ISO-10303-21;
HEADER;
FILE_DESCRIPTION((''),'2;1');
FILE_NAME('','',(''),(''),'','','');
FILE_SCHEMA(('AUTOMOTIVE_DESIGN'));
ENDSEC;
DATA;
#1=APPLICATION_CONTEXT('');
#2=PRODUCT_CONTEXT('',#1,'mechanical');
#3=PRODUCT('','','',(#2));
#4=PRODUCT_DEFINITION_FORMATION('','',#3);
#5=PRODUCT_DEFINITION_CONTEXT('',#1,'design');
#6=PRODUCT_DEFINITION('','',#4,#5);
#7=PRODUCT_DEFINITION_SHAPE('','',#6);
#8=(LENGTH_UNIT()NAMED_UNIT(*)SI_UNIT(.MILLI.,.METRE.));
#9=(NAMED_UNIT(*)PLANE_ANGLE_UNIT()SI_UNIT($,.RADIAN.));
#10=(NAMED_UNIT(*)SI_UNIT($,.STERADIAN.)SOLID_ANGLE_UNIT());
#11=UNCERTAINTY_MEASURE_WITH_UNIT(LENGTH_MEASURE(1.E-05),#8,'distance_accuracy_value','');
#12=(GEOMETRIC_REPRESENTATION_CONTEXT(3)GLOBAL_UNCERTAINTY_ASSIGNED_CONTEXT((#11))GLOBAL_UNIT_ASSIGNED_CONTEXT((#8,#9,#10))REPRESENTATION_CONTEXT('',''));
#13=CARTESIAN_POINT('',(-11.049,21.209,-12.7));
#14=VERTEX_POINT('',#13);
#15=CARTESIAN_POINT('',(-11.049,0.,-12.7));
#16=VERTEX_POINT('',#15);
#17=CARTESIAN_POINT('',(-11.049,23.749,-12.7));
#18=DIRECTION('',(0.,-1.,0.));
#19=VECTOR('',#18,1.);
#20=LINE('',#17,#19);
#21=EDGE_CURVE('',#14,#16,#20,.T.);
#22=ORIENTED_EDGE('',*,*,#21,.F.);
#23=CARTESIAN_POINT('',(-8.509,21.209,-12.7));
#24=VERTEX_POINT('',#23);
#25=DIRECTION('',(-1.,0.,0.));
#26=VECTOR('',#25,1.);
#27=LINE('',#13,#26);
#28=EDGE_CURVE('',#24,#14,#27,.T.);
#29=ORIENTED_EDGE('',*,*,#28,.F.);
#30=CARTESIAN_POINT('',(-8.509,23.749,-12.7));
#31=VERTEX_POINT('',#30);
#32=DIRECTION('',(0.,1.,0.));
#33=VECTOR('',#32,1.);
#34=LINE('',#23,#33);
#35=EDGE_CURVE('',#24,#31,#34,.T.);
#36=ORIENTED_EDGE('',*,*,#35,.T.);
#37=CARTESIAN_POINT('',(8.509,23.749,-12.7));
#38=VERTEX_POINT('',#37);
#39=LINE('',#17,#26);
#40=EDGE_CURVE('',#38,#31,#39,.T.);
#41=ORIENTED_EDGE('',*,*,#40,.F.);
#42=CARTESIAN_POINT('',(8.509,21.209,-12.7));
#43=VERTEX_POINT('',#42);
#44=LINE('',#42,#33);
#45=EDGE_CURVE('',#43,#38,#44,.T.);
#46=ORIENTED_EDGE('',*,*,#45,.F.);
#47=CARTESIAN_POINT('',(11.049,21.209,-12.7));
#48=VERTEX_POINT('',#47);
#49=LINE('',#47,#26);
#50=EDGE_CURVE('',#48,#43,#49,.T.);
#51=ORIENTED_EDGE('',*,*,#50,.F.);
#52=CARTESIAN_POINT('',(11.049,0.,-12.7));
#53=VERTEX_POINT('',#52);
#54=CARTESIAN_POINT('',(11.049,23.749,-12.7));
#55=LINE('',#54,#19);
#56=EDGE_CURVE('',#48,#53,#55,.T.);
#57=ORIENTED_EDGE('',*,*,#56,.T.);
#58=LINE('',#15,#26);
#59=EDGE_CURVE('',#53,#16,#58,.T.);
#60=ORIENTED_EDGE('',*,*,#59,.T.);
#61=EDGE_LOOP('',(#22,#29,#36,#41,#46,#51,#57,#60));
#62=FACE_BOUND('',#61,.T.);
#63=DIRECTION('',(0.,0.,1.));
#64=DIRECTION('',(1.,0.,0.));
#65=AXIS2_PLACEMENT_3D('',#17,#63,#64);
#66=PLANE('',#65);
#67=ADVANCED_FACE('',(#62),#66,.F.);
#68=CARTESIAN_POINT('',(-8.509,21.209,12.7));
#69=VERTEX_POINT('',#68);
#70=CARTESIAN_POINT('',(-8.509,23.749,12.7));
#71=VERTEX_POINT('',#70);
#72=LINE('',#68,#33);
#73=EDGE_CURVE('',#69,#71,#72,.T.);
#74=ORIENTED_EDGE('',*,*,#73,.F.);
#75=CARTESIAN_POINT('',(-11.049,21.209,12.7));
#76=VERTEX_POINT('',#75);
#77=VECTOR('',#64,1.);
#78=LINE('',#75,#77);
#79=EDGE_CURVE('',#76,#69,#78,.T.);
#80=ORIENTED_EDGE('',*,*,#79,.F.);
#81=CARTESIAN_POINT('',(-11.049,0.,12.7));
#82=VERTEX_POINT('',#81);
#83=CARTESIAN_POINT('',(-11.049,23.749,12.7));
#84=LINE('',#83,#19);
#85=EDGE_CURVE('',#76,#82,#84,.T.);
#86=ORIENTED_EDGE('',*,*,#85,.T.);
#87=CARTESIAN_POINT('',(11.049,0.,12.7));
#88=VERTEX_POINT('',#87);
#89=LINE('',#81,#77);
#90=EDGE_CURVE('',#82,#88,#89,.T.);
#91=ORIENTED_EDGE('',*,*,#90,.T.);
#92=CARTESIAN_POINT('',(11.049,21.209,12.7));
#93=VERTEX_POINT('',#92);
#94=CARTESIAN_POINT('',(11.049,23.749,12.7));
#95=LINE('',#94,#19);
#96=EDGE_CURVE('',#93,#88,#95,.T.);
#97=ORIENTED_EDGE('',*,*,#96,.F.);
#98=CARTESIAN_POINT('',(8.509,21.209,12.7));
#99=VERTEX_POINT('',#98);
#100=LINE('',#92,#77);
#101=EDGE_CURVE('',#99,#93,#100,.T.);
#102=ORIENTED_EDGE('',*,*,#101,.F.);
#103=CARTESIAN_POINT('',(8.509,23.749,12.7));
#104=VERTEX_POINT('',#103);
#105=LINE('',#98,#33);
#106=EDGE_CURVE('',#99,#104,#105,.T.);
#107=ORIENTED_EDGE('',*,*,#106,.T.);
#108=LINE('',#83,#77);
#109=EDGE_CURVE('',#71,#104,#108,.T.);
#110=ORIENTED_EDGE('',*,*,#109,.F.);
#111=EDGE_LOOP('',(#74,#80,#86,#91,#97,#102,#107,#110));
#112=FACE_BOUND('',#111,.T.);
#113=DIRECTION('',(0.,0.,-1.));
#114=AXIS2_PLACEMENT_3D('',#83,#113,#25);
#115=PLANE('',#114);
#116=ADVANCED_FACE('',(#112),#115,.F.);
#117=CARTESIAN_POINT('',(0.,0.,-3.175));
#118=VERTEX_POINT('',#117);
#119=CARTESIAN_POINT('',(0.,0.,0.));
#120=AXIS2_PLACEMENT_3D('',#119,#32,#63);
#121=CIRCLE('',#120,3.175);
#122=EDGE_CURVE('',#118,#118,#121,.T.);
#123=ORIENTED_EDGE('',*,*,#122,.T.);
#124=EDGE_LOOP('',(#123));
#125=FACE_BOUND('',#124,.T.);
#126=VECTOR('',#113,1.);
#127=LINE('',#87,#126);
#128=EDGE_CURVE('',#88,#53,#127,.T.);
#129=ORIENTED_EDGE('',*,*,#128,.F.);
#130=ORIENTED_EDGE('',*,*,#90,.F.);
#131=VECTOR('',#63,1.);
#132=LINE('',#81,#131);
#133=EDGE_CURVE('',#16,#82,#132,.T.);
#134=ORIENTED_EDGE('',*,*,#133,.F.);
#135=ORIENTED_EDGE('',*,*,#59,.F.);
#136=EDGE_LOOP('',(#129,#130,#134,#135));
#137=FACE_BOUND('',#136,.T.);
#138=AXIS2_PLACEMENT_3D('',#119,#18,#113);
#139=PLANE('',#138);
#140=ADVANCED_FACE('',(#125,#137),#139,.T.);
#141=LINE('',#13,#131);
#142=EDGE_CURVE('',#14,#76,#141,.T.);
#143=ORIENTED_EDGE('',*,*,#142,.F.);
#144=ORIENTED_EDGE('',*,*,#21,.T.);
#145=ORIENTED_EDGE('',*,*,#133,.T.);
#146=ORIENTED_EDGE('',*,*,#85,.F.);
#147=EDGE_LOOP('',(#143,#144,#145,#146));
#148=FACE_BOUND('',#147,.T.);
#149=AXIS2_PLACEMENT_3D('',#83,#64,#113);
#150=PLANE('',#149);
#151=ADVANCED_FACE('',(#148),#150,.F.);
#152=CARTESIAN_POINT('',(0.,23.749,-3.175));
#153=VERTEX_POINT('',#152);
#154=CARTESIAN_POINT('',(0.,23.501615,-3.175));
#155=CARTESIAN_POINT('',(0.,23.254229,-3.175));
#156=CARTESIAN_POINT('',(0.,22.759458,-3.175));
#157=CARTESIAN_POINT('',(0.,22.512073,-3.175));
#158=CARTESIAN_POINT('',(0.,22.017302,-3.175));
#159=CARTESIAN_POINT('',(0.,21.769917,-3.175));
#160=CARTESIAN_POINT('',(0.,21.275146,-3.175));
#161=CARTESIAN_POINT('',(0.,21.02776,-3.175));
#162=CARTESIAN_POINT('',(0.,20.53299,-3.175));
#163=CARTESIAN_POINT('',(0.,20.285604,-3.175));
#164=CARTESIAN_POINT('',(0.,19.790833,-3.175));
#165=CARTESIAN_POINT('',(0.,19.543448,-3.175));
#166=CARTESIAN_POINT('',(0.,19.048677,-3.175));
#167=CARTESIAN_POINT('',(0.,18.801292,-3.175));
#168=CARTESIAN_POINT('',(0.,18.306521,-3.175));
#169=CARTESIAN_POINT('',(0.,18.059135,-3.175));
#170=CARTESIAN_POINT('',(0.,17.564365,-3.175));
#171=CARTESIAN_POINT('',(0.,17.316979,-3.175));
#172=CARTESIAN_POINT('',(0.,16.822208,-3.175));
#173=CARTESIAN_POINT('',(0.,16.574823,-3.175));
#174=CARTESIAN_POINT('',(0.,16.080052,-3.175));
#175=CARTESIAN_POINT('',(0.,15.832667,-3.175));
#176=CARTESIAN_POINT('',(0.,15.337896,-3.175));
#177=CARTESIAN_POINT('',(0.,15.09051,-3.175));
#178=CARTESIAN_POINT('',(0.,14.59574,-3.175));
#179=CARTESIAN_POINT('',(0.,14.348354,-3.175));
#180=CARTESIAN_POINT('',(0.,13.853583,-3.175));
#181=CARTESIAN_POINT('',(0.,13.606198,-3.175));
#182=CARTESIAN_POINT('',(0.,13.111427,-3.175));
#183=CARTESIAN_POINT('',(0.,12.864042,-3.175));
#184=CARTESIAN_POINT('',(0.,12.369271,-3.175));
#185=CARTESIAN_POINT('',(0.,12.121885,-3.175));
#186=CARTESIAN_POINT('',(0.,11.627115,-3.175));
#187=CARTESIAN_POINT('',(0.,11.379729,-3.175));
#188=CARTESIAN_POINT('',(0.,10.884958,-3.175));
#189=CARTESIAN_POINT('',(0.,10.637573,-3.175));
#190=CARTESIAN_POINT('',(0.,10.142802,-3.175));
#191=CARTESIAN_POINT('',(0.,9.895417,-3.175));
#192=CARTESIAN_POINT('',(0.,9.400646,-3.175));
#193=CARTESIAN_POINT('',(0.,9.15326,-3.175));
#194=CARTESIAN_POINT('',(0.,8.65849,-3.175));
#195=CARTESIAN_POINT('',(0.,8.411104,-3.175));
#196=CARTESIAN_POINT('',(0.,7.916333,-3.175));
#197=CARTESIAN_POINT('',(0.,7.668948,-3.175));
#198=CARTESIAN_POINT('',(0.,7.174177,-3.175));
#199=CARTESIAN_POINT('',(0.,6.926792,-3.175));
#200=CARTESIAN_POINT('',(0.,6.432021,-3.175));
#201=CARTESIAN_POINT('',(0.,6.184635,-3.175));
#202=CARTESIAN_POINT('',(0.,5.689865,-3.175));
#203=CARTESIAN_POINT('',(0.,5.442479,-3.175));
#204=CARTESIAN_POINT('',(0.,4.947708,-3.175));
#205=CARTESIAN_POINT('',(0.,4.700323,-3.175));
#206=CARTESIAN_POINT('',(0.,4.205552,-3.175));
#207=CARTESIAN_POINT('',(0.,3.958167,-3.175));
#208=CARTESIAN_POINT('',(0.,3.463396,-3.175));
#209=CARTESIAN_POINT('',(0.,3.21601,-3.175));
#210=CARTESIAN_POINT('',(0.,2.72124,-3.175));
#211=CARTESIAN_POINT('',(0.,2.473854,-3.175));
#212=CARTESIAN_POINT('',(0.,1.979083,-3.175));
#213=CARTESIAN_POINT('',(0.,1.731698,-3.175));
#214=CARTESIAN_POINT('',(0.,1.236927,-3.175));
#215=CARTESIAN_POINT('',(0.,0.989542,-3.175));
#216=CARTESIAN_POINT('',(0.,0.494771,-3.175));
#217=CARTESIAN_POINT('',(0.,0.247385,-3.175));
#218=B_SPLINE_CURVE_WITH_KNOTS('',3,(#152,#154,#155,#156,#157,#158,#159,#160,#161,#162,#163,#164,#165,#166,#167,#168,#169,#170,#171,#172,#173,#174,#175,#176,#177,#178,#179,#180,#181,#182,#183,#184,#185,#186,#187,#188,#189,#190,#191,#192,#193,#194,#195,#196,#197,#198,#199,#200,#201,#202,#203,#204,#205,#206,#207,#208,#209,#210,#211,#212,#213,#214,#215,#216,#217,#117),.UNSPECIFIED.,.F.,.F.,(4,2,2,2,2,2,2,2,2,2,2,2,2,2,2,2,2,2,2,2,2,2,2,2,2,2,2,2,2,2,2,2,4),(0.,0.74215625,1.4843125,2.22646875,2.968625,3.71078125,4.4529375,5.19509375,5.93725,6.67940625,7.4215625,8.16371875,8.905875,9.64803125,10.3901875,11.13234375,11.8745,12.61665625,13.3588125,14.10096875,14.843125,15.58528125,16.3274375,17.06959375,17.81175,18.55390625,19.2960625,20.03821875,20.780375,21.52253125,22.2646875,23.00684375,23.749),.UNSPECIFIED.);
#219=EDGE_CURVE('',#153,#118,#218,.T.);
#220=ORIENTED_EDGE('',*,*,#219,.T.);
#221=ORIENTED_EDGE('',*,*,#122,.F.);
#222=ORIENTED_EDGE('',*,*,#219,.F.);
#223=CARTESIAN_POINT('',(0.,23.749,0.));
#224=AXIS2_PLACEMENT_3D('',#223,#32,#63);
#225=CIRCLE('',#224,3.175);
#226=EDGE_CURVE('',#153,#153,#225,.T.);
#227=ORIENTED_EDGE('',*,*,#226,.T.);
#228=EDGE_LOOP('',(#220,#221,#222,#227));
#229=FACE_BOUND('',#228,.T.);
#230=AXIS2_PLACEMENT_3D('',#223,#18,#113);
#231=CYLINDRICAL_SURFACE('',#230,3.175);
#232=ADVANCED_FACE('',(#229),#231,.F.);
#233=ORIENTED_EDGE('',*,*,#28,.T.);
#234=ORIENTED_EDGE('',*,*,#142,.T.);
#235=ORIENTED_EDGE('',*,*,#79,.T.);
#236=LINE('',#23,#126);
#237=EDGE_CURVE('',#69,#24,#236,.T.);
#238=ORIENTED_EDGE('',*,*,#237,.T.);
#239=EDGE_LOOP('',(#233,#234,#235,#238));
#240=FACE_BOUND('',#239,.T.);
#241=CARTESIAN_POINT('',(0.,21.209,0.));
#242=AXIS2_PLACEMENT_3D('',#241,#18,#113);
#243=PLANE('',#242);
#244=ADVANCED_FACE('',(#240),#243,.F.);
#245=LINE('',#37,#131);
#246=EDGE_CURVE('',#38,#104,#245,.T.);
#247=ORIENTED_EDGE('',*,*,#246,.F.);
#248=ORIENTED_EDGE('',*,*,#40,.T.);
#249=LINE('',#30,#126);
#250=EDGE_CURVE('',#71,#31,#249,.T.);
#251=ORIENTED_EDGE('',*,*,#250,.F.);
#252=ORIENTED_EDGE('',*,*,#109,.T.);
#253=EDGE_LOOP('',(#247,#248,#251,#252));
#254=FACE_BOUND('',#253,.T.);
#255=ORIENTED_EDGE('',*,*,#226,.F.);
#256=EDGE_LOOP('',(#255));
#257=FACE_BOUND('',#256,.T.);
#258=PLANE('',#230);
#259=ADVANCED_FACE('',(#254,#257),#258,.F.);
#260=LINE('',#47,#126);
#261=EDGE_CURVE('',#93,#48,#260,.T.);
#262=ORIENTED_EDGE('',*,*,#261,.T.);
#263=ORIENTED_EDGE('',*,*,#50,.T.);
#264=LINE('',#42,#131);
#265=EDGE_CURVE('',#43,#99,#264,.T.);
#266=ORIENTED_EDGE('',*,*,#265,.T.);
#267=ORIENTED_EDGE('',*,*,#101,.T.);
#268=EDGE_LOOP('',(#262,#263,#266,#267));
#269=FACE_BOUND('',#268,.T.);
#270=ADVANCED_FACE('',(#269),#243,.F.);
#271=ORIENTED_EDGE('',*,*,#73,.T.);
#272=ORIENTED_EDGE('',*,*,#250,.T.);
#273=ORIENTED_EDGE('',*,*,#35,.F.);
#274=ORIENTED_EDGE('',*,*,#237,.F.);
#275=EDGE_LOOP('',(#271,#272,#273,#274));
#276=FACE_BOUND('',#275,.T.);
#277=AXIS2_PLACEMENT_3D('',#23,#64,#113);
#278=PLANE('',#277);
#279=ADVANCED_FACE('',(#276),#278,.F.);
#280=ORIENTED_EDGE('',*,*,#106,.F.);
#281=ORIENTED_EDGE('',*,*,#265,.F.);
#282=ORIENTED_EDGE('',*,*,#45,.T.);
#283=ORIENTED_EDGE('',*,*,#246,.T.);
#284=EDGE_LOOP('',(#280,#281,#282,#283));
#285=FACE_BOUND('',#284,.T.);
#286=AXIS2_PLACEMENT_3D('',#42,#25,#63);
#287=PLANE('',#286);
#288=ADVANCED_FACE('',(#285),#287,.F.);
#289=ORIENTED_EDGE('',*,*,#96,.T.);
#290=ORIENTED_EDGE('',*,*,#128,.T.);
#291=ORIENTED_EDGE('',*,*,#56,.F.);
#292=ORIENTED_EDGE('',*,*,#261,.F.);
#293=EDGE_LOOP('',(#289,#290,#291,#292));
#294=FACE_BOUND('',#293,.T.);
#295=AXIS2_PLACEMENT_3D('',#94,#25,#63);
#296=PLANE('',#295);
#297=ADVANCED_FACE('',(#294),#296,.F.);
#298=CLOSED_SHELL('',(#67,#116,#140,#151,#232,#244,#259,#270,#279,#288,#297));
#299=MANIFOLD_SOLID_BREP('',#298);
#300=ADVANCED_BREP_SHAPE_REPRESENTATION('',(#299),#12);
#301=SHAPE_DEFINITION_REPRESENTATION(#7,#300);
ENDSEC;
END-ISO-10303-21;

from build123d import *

# Parameters (mm, degrees)
SKETCH1_W           = 22.098
SKETCH1_H           = 25.4
SKETCH1_R           = 3.175
BOSS_EXTRUDE1_DEPTH = 23.749
SKETCH3_W           = 2.54
SKETCH3_H           = 25.4
CUT_EXTRUDE2_DEPTH  = 2.54


with BuildPart() as part:
    # Sketch1 → Boss-Extrude1 (new body)
    with BuildSketch(Plane(origin=(0, 0, 0), x_dir=(1, 0, 0), z_dir=(0, 1, 0))):
        Rectangle(SKETCH1_W, SKETCH1_H)
        with Locations(Location((0, 0, 0), (0, 0, 90))):
            Circle(SKETCH1_R, mode=Mode.SUBTRACT)
    extrude(amount=BOSS_EXTRUDE1_DEPTH)

    # Sketch3 → Cut-Extrude2 (cut)
    with BuildSketch(Plane(origin=(0, 23.749, 0), x_dir=(1, 0, 0), z_dir=(0, 1, 0))):
        with Locations((9.779, 0)):
            Rectangle(SKETCH3_W, SKETCH3_H)
        with Locations((-9.779, 0)):
            Rectangle(SKETCH3_W, SKETCH3_H)
    extrude(amount=-CUT_EXTRUDE2_DEPTH, mode=Mode.SUBTRACT)


solid = part.part
